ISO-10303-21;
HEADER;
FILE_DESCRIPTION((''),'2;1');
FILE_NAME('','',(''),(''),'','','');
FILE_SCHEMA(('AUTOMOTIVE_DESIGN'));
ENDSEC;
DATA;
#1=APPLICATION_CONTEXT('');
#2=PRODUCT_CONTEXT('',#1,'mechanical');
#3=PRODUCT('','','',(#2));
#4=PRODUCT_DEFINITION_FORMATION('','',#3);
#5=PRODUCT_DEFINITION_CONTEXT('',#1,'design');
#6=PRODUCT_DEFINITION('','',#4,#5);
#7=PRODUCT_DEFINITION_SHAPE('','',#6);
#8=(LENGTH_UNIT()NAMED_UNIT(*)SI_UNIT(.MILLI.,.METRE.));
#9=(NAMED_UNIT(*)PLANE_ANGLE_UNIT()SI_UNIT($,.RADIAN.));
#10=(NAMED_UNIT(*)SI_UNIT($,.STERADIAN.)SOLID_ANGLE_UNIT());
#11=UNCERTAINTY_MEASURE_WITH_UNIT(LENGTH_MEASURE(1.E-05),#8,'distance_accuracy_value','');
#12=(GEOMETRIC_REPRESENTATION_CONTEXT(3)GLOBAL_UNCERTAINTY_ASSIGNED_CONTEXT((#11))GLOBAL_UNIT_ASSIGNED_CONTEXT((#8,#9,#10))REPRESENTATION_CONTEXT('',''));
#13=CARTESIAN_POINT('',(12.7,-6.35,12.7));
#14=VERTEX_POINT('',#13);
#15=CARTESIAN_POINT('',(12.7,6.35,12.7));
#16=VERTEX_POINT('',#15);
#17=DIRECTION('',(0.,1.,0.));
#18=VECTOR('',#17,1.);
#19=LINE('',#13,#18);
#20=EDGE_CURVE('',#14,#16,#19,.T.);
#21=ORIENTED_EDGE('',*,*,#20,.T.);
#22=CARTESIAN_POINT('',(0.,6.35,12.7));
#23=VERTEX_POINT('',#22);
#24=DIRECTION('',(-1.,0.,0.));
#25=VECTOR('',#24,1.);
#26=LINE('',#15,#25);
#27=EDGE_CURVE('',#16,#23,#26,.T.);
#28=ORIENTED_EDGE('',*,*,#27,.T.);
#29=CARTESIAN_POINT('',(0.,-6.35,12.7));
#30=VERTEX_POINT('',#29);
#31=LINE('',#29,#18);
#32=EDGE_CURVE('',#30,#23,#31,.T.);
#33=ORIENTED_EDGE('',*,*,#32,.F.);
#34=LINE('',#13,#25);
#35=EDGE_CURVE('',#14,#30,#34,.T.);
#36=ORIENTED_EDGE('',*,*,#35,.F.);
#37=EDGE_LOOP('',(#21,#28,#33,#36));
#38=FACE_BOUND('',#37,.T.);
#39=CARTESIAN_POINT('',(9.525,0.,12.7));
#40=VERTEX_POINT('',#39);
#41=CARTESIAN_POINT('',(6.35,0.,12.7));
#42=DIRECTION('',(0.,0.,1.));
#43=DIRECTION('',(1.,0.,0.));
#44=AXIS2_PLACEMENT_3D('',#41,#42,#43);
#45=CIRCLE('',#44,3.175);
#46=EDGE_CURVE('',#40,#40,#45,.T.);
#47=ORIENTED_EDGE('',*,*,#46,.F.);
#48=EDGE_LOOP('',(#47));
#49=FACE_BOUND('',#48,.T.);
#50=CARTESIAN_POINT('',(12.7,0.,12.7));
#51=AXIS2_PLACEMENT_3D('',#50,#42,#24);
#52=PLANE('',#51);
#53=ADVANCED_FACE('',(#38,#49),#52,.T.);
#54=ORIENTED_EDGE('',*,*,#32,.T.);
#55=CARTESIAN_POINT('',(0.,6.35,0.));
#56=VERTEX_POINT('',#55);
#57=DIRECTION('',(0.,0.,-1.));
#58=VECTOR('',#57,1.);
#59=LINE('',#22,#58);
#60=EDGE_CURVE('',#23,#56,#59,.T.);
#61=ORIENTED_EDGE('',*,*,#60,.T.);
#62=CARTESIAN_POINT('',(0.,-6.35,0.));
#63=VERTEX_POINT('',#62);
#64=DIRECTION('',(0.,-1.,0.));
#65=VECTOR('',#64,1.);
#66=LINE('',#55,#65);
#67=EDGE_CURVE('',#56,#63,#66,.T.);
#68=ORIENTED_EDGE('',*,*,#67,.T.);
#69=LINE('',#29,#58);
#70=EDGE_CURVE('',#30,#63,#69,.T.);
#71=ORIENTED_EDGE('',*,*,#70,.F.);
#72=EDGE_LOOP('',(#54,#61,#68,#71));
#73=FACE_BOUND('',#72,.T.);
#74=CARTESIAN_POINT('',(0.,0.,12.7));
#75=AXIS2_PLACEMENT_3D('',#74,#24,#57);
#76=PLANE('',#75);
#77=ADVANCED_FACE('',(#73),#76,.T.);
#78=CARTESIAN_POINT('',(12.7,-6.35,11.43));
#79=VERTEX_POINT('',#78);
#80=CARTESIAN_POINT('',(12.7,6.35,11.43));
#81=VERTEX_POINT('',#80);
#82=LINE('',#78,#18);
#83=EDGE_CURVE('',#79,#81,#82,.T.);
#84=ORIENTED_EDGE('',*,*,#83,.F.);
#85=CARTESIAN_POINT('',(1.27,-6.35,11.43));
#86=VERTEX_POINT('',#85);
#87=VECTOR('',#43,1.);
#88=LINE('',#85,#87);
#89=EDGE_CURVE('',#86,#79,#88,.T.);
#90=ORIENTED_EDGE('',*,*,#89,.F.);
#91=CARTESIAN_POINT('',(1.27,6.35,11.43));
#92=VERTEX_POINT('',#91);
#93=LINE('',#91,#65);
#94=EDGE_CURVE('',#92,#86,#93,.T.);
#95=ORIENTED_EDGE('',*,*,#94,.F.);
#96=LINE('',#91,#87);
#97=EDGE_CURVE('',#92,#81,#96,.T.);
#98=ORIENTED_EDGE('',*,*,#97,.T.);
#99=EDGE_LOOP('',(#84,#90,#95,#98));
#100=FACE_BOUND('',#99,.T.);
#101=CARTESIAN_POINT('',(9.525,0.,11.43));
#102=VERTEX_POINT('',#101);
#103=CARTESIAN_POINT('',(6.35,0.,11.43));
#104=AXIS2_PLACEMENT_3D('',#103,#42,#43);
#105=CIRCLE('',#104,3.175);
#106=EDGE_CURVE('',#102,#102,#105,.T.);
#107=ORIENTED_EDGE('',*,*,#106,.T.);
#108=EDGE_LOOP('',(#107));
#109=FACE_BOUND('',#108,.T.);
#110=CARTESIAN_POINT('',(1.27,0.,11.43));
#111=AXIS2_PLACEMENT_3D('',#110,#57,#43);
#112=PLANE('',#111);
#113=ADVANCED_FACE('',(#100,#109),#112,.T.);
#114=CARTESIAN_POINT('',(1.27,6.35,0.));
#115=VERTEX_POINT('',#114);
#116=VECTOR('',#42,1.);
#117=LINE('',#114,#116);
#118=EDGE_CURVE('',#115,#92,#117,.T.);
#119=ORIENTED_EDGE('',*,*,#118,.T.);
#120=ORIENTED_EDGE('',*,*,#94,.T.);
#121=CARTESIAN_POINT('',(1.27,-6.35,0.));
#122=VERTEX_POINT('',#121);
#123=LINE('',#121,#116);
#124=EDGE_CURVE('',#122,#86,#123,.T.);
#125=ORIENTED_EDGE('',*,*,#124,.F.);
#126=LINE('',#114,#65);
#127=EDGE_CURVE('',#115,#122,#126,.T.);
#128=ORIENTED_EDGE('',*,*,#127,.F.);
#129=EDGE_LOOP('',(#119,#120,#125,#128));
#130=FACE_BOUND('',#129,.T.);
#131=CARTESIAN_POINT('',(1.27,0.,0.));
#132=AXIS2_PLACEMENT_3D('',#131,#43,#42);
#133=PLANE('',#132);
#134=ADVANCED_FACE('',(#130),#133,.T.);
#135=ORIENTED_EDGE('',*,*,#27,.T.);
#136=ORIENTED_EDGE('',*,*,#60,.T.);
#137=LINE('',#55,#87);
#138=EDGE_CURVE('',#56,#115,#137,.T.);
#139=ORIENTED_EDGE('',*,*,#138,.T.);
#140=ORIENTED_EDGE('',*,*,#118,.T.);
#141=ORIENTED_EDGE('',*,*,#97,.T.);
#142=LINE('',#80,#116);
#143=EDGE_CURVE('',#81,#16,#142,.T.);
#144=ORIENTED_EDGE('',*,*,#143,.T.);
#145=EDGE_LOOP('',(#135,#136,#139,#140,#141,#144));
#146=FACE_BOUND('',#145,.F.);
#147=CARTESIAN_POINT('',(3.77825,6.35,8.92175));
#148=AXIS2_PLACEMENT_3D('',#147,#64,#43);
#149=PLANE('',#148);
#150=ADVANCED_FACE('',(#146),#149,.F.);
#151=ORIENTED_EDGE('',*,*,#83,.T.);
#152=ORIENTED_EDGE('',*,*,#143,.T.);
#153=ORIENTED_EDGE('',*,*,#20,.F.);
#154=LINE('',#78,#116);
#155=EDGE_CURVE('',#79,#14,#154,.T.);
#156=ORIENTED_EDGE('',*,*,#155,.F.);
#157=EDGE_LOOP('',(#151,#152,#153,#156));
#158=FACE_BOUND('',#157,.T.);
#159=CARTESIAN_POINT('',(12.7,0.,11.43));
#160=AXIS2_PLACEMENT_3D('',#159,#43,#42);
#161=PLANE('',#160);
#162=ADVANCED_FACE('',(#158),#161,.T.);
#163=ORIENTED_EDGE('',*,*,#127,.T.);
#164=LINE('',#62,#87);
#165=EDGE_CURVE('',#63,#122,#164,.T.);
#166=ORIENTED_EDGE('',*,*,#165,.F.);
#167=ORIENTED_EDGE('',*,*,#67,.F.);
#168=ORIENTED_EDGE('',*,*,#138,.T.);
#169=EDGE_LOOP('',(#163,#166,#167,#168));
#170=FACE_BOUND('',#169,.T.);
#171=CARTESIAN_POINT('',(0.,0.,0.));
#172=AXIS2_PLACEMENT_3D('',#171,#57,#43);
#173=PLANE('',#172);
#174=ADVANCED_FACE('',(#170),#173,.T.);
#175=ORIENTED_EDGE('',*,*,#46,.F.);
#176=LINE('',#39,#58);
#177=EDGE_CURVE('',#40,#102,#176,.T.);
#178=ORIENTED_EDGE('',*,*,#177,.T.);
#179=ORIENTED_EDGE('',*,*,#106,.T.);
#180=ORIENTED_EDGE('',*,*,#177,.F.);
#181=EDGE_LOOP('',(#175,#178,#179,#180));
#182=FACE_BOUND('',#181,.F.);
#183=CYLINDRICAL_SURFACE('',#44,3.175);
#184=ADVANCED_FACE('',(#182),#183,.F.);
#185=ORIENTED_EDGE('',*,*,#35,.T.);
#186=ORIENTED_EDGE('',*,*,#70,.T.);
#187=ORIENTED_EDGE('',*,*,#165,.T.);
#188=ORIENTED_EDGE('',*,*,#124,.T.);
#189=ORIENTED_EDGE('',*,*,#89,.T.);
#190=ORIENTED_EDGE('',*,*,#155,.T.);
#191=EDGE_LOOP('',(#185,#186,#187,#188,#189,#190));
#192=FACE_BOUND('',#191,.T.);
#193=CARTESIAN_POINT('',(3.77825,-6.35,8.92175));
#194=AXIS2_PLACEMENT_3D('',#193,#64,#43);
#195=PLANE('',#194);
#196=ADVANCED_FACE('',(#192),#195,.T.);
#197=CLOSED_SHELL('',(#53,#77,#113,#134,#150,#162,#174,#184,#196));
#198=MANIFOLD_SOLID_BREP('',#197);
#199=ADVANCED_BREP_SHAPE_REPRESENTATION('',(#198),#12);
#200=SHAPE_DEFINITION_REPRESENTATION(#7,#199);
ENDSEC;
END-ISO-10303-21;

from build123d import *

# Parameters (mm, degrees)
F1_DEPTH = 6.35
F2_R     = 3.175
F3_DEPTH = 25.4


with BuildPart() as f1:
    # F0 (on Front) → F1 (new body, symmetric)
    with BuildSketch(Plane.XZ):
        Polygon((0, 12.7), (0, 0), (1.27, 0), (1.27, 11.43), (12.7, 11.43), (12.7, 12.7), align=None)
    extrude(amount=F1_DEPTH, both=True)

    # F2 (on face) → F3 (cut)
    with BuildSketch(Plane.XY.offset(12.7)):
        with Locations((6.35, 0)):
            Circle(F2_R)
    extrude(amount=-F3_DEPTH, mode=Mode.SUBTRACT)


solid = f1.part
